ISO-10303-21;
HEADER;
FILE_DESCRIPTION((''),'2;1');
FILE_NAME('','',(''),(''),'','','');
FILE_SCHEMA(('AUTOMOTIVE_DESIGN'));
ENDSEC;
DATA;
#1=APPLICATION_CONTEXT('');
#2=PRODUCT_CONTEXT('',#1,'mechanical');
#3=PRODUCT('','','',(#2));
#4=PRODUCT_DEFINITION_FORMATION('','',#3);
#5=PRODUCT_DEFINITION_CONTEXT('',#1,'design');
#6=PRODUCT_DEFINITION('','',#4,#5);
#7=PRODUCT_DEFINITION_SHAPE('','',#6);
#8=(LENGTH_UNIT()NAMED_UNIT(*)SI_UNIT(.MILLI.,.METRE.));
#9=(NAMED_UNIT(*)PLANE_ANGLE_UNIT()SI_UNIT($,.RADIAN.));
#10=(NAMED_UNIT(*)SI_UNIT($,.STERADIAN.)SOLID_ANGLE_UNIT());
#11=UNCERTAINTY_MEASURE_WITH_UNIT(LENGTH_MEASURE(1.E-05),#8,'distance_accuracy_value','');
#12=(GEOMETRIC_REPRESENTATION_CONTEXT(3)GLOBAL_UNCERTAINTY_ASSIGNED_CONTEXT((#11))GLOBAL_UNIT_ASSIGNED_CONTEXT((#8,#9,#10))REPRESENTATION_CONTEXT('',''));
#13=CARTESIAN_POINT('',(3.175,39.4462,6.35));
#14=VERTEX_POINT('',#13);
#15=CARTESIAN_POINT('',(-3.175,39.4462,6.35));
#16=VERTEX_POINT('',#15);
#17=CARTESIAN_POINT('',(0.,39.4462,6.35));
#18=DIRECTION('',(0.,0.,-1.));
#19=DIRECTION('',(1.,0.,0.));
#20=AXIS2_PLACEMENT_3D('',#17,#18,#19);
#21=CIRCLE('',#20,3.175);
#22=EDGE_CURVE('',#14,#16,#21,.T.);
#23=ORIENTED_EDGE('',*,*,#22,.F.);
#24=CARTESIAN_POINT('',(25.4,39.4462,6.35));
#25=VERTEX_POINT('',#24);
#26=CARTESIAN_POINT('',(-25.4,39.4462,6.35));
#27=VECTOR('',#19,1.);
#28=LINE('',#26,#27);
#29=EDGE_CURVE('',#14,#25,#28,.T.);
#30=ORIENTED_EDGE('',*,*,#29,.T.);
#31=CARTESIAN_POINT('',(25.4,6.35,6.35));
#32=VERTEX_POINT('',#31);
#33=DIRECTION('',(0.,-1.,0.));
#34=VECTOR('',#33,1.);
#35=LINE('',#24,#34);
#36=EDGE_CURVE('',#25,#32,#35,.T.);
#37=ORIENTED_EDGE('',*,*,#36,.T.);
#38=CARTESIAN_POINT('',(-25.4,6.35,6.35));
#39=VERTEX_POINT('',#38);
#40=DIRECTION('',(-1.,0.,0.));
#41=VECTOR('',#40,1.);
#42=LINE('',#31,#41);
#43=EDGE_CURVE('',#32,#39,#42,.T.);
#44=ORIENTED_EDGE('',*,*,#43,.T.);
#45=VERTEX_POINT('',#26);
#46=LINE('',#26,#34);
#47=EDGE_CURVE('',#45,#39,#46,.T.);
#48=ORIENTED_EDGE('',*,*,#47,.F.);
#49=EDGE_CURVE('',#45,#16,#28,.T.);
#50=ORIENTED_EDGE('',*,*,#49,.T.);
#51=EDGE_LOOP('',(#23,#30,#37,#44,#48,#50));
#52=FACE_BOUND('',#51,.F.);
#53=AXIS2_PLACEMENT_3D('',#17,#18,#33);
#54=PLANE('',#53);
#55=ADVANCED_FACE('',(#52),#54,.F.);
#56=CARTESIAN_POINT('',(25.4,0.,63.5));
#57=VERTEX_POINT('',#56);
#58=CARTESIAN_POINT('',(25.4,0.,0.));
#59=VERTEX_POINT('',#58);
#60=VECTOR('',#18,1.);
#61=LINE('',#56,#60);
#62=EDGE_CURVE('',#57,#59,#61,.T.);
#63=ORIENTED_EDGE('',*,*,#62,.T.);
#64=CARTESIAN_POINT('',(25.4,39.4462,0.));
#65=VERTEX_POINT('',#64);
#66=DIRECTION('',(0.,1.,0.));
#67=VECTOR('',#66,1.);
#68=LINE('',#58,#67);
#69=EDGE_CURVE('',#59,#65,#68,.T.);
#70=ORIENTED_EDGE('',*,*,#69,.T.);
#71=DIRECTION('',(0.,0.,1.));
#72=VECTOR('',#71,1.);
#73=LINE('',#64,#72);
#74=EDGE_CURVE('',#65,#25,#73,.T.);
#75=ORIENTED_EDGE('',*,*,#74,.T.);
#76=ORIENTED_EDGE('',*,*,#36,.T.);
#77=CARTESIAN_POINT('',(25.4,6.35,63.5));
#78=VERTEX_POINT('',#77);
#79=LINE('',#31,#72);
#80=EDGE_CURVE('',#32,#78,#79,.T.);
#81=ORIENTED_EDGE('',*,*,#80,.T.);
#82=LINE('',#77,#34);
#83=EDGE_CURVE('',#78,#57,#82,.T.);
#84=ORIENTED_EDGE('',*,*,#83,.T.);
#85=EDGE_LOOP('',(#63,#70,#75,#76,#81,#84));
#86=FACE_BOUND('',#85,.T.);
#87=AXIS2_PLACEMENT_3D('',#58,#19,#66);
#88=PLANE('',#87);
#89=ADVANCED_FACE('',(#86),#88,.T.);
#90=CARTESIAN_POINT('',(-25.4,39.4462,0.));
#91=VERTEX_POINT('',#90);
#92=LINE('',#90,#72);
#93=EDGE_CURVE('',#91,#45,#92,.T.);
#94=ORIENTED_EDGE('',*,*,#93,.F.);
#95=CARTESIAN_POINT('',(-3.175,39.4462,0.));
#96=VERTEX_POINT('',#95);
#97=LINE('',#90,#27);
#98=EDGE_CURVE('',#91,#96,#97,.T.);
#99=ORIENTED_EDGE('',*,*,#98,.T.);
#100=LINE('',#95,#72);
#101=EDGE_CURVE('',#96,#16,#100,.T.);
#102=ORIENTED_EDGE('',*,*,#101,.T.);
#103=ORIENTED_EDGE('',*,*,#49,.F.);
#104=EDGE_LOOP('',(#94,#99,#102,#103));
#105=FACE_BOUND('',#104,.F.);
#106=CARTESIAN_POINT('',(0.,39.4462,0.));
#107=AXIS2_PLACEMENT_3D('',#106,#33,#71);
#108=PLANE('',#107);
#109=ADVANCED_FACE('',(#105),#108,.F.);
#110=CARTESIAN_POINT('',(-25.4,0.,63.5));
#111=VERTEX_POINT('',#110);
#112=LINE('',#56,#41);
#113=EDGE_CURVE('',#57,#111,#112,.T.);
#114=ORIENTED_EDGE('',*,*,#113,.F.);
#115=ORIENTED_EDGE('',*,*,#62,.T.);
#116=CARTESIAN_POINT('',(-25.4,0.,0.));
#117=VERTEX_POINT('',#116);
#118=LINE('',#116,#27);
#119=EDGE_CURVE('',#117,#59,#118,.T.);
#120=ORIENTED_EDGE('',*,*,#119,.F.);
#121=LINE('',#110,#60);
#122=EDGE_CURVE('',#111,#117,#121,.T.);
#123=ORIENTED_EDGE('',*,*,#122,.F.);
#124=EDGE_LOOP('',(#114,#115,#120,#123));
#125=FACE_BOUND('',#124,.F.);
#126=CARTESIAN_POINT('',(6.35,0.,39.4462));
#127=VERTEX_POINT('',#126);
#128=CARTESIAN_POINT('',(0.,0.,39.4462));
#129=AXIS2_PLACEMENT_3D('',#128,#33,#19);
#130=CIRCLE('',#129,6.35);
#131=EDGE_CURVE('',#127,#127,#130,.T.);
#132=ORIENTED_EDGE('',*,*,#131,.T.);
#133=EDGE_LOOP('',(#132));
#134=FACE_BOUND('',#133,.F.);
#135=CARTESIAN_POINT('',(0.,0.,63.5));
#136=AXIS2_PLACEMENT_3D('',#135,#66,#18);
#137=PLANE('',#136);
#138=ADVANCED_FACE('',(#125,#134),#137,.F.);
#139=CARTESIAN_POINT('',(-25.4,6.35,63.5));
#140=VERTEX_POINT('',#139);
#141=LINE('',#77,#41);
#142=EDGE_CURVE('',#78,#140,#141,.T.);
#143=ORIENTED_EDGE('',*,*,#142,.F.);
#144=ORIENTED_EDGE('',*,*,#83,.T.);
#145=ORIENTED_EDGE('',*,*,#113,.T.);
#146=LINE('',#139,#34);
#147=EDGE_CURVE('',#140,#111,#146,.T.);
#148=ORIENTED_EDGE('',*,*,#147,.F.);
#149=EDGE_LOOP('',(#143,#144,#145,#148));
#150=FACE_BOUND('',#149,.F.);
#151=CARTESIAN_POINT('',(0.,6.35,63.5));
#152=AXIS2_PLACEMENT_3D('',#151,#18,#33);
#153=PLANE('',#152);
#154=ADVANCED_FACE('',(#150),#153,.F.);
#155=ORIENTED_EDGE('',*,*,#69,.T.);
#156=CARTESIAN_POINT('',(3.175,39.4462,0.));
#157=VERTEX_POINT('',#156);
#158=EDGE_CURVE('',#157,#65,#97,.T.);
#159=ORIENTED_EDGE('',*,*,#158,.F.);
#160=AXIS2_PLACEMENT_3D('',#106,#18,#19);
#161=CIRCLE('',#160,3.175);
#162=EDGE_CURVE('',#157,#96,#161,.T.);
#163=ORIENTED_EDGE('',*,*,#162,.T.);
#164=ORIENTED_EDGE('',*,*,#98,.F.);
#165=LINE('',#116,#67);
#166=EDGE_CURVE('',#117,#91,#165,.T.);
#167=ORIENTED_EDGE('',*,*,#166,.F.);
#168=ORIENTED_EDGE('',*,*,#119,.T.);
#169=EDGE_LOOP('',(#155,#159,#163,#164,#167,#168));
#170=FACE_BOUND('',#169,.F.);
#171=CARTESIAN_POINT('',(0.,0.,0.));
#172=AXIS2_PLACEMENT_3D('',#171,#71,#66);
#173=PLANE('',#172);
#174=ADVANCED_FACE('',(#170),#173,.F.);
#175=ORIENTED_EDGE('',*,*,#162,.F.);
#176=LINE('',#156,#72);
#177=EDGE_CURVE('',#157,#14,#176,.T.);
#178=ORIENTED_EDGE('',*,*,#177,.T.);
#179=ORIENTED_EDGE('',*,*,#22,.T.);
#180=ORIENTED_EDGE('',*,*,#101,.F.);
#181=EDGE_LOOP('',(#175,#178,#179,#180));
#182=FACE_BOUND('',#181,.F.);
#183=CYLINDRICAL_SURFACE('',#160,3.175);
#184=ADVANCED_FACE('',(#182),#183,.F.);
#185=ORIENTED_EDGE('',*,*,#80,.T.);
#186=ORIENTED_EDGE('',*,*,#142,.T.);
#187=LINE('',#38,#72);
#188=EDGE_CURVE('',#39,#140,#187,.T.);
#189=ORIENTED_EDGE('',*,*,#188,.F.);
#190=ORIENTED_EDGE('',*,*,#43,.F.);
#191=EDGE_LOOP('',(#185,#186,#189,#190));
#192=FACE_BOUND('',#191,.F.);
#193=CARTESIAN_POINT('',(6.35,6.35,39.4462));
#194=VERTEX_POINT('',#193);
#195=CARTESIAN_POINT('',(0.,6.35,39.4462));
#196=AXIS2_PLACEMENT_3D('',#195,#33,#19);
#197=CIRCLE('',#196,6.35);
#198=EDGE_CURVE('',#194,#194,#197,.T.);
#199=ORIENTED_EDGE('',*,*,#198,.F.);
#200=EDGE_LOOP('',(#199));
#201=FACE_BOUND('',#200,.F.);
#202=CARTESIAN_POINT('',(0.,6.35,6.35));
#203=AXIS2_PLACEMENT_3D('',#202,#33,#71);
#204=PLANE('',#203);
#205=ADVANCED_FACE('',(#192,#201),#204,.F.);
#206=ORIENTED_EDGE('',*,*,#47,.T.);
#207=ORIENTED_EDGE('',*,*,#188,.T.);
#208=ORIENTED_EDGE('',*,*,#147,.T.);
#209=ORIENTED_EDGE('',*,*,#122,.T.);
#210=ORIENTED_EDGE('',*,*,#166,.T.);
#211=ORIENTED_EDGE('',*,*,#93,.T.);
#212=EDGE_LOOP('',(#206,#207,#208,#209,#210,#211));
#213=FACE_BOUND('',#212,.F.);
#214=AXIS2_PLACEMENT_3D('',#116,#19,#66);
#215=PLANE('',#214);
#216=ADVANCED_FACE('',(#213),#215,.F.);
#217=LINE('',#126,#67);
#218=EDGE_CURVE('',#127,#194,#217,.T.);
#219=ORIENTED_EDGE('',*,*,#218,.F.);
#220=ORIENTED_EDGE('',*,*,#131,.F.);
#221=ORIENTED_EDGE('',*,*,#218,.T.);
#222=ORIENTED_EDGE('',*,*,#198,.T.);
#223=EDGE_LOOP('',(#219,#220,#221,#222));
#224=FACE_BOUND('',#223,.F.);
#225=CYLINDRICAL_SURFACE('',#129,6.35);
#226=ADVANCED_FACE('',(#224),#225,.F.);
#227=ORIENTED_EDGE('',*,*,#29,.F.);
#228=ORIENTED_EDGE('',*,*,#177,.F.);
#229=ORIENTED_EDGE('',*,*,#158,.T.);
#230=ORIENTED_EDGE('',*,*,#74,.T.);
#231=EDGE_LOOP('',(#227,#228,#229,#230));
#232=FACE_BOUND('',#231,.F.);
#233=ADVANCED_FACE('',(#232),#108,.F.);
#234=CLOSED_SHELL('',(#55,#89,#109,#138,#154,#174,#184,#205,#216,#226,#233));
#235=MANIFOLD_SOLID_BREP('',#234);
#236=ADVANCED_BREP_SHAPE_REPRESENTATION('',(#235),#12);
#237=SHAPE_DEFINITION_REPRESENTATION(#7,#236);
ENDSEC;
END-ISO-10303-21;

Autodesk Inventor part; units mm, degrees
ref_plane "YZ Plane" through (0, 0, 0) normal (1, 0, 0) x (0, 1, 0)
ref_plane "XZ Plane" through (0, 0, 0) normal (0, 1, 0) x (-1, 0, 0)
ref_plane "XY Plane" through (0, 0, 0) normal (0, 0, 1) x (1, 0, 0)
sketch "Sketch1" plane through (0, 0, 0) normal (1, 0, 0) x (0, 1, 0)
  line L0 (0, 0) -> (39.4462, 0)
  line L1 (39.4462, 0) -> (39.4462, 6.35)
  line L2 (39.4462, 6.35) -> (6.35, 6.35)
  line L3 (6.35, 6.35) -> (6.35, 63.5)
  line L4 (6.35, 63.5) -> (0, 63.5)
  line L5 (0, 63.5) -> (0, 0)
  dimension "d0" = 6.35
  dimension "d1" = 6.35
  dimension "d4" = 33.0962
  dimension "d11" = 63.5
extrude "Extrusion1" add sketch "Sketch1" along normal mid plane 50.8
sketch "Sketch2" plane through (25.4, 39.4462, 0) normal (0, 0, -1) x (-1, 0, 0)
  line L0 (50.8, 0) -> (0, 0) projected
  arc A0 (22.225, 0) -> (28.575, 0) centre (25.4, 0) ccw
  line L1 (28.575, 0) -> (22.225, 0)
  point P0 (25.4, -39.4462)
  dimension "d5" = 6.35
extrude "Extrusion2" cut sketch "Sketch2" against normal through all
sketch "Sketch4" plane through (-25.4, 0, 0) normal (0, -1, 0) x (1, 0, 0)
  line L0 (25.4, 0) -> (25.4, 63.5) construction
  line L1 (0, 63.5) -> (50.8, 63.5) construction
  line L2 (0, 39.4462) -> (50.8, 39.4462) construction
  line L3 (50.8, 0) -> (0, 0) construction
  circle A0 centre (25.4, 39.4462) radius 6.35
  dimension "d12" = 39.4462
  dimension "d13" = 12.7
extrude "Extrusion4" cut sketch "Sketch4" against normal through all
properties part number "Angle Bracket for Bevel Gearbox"
